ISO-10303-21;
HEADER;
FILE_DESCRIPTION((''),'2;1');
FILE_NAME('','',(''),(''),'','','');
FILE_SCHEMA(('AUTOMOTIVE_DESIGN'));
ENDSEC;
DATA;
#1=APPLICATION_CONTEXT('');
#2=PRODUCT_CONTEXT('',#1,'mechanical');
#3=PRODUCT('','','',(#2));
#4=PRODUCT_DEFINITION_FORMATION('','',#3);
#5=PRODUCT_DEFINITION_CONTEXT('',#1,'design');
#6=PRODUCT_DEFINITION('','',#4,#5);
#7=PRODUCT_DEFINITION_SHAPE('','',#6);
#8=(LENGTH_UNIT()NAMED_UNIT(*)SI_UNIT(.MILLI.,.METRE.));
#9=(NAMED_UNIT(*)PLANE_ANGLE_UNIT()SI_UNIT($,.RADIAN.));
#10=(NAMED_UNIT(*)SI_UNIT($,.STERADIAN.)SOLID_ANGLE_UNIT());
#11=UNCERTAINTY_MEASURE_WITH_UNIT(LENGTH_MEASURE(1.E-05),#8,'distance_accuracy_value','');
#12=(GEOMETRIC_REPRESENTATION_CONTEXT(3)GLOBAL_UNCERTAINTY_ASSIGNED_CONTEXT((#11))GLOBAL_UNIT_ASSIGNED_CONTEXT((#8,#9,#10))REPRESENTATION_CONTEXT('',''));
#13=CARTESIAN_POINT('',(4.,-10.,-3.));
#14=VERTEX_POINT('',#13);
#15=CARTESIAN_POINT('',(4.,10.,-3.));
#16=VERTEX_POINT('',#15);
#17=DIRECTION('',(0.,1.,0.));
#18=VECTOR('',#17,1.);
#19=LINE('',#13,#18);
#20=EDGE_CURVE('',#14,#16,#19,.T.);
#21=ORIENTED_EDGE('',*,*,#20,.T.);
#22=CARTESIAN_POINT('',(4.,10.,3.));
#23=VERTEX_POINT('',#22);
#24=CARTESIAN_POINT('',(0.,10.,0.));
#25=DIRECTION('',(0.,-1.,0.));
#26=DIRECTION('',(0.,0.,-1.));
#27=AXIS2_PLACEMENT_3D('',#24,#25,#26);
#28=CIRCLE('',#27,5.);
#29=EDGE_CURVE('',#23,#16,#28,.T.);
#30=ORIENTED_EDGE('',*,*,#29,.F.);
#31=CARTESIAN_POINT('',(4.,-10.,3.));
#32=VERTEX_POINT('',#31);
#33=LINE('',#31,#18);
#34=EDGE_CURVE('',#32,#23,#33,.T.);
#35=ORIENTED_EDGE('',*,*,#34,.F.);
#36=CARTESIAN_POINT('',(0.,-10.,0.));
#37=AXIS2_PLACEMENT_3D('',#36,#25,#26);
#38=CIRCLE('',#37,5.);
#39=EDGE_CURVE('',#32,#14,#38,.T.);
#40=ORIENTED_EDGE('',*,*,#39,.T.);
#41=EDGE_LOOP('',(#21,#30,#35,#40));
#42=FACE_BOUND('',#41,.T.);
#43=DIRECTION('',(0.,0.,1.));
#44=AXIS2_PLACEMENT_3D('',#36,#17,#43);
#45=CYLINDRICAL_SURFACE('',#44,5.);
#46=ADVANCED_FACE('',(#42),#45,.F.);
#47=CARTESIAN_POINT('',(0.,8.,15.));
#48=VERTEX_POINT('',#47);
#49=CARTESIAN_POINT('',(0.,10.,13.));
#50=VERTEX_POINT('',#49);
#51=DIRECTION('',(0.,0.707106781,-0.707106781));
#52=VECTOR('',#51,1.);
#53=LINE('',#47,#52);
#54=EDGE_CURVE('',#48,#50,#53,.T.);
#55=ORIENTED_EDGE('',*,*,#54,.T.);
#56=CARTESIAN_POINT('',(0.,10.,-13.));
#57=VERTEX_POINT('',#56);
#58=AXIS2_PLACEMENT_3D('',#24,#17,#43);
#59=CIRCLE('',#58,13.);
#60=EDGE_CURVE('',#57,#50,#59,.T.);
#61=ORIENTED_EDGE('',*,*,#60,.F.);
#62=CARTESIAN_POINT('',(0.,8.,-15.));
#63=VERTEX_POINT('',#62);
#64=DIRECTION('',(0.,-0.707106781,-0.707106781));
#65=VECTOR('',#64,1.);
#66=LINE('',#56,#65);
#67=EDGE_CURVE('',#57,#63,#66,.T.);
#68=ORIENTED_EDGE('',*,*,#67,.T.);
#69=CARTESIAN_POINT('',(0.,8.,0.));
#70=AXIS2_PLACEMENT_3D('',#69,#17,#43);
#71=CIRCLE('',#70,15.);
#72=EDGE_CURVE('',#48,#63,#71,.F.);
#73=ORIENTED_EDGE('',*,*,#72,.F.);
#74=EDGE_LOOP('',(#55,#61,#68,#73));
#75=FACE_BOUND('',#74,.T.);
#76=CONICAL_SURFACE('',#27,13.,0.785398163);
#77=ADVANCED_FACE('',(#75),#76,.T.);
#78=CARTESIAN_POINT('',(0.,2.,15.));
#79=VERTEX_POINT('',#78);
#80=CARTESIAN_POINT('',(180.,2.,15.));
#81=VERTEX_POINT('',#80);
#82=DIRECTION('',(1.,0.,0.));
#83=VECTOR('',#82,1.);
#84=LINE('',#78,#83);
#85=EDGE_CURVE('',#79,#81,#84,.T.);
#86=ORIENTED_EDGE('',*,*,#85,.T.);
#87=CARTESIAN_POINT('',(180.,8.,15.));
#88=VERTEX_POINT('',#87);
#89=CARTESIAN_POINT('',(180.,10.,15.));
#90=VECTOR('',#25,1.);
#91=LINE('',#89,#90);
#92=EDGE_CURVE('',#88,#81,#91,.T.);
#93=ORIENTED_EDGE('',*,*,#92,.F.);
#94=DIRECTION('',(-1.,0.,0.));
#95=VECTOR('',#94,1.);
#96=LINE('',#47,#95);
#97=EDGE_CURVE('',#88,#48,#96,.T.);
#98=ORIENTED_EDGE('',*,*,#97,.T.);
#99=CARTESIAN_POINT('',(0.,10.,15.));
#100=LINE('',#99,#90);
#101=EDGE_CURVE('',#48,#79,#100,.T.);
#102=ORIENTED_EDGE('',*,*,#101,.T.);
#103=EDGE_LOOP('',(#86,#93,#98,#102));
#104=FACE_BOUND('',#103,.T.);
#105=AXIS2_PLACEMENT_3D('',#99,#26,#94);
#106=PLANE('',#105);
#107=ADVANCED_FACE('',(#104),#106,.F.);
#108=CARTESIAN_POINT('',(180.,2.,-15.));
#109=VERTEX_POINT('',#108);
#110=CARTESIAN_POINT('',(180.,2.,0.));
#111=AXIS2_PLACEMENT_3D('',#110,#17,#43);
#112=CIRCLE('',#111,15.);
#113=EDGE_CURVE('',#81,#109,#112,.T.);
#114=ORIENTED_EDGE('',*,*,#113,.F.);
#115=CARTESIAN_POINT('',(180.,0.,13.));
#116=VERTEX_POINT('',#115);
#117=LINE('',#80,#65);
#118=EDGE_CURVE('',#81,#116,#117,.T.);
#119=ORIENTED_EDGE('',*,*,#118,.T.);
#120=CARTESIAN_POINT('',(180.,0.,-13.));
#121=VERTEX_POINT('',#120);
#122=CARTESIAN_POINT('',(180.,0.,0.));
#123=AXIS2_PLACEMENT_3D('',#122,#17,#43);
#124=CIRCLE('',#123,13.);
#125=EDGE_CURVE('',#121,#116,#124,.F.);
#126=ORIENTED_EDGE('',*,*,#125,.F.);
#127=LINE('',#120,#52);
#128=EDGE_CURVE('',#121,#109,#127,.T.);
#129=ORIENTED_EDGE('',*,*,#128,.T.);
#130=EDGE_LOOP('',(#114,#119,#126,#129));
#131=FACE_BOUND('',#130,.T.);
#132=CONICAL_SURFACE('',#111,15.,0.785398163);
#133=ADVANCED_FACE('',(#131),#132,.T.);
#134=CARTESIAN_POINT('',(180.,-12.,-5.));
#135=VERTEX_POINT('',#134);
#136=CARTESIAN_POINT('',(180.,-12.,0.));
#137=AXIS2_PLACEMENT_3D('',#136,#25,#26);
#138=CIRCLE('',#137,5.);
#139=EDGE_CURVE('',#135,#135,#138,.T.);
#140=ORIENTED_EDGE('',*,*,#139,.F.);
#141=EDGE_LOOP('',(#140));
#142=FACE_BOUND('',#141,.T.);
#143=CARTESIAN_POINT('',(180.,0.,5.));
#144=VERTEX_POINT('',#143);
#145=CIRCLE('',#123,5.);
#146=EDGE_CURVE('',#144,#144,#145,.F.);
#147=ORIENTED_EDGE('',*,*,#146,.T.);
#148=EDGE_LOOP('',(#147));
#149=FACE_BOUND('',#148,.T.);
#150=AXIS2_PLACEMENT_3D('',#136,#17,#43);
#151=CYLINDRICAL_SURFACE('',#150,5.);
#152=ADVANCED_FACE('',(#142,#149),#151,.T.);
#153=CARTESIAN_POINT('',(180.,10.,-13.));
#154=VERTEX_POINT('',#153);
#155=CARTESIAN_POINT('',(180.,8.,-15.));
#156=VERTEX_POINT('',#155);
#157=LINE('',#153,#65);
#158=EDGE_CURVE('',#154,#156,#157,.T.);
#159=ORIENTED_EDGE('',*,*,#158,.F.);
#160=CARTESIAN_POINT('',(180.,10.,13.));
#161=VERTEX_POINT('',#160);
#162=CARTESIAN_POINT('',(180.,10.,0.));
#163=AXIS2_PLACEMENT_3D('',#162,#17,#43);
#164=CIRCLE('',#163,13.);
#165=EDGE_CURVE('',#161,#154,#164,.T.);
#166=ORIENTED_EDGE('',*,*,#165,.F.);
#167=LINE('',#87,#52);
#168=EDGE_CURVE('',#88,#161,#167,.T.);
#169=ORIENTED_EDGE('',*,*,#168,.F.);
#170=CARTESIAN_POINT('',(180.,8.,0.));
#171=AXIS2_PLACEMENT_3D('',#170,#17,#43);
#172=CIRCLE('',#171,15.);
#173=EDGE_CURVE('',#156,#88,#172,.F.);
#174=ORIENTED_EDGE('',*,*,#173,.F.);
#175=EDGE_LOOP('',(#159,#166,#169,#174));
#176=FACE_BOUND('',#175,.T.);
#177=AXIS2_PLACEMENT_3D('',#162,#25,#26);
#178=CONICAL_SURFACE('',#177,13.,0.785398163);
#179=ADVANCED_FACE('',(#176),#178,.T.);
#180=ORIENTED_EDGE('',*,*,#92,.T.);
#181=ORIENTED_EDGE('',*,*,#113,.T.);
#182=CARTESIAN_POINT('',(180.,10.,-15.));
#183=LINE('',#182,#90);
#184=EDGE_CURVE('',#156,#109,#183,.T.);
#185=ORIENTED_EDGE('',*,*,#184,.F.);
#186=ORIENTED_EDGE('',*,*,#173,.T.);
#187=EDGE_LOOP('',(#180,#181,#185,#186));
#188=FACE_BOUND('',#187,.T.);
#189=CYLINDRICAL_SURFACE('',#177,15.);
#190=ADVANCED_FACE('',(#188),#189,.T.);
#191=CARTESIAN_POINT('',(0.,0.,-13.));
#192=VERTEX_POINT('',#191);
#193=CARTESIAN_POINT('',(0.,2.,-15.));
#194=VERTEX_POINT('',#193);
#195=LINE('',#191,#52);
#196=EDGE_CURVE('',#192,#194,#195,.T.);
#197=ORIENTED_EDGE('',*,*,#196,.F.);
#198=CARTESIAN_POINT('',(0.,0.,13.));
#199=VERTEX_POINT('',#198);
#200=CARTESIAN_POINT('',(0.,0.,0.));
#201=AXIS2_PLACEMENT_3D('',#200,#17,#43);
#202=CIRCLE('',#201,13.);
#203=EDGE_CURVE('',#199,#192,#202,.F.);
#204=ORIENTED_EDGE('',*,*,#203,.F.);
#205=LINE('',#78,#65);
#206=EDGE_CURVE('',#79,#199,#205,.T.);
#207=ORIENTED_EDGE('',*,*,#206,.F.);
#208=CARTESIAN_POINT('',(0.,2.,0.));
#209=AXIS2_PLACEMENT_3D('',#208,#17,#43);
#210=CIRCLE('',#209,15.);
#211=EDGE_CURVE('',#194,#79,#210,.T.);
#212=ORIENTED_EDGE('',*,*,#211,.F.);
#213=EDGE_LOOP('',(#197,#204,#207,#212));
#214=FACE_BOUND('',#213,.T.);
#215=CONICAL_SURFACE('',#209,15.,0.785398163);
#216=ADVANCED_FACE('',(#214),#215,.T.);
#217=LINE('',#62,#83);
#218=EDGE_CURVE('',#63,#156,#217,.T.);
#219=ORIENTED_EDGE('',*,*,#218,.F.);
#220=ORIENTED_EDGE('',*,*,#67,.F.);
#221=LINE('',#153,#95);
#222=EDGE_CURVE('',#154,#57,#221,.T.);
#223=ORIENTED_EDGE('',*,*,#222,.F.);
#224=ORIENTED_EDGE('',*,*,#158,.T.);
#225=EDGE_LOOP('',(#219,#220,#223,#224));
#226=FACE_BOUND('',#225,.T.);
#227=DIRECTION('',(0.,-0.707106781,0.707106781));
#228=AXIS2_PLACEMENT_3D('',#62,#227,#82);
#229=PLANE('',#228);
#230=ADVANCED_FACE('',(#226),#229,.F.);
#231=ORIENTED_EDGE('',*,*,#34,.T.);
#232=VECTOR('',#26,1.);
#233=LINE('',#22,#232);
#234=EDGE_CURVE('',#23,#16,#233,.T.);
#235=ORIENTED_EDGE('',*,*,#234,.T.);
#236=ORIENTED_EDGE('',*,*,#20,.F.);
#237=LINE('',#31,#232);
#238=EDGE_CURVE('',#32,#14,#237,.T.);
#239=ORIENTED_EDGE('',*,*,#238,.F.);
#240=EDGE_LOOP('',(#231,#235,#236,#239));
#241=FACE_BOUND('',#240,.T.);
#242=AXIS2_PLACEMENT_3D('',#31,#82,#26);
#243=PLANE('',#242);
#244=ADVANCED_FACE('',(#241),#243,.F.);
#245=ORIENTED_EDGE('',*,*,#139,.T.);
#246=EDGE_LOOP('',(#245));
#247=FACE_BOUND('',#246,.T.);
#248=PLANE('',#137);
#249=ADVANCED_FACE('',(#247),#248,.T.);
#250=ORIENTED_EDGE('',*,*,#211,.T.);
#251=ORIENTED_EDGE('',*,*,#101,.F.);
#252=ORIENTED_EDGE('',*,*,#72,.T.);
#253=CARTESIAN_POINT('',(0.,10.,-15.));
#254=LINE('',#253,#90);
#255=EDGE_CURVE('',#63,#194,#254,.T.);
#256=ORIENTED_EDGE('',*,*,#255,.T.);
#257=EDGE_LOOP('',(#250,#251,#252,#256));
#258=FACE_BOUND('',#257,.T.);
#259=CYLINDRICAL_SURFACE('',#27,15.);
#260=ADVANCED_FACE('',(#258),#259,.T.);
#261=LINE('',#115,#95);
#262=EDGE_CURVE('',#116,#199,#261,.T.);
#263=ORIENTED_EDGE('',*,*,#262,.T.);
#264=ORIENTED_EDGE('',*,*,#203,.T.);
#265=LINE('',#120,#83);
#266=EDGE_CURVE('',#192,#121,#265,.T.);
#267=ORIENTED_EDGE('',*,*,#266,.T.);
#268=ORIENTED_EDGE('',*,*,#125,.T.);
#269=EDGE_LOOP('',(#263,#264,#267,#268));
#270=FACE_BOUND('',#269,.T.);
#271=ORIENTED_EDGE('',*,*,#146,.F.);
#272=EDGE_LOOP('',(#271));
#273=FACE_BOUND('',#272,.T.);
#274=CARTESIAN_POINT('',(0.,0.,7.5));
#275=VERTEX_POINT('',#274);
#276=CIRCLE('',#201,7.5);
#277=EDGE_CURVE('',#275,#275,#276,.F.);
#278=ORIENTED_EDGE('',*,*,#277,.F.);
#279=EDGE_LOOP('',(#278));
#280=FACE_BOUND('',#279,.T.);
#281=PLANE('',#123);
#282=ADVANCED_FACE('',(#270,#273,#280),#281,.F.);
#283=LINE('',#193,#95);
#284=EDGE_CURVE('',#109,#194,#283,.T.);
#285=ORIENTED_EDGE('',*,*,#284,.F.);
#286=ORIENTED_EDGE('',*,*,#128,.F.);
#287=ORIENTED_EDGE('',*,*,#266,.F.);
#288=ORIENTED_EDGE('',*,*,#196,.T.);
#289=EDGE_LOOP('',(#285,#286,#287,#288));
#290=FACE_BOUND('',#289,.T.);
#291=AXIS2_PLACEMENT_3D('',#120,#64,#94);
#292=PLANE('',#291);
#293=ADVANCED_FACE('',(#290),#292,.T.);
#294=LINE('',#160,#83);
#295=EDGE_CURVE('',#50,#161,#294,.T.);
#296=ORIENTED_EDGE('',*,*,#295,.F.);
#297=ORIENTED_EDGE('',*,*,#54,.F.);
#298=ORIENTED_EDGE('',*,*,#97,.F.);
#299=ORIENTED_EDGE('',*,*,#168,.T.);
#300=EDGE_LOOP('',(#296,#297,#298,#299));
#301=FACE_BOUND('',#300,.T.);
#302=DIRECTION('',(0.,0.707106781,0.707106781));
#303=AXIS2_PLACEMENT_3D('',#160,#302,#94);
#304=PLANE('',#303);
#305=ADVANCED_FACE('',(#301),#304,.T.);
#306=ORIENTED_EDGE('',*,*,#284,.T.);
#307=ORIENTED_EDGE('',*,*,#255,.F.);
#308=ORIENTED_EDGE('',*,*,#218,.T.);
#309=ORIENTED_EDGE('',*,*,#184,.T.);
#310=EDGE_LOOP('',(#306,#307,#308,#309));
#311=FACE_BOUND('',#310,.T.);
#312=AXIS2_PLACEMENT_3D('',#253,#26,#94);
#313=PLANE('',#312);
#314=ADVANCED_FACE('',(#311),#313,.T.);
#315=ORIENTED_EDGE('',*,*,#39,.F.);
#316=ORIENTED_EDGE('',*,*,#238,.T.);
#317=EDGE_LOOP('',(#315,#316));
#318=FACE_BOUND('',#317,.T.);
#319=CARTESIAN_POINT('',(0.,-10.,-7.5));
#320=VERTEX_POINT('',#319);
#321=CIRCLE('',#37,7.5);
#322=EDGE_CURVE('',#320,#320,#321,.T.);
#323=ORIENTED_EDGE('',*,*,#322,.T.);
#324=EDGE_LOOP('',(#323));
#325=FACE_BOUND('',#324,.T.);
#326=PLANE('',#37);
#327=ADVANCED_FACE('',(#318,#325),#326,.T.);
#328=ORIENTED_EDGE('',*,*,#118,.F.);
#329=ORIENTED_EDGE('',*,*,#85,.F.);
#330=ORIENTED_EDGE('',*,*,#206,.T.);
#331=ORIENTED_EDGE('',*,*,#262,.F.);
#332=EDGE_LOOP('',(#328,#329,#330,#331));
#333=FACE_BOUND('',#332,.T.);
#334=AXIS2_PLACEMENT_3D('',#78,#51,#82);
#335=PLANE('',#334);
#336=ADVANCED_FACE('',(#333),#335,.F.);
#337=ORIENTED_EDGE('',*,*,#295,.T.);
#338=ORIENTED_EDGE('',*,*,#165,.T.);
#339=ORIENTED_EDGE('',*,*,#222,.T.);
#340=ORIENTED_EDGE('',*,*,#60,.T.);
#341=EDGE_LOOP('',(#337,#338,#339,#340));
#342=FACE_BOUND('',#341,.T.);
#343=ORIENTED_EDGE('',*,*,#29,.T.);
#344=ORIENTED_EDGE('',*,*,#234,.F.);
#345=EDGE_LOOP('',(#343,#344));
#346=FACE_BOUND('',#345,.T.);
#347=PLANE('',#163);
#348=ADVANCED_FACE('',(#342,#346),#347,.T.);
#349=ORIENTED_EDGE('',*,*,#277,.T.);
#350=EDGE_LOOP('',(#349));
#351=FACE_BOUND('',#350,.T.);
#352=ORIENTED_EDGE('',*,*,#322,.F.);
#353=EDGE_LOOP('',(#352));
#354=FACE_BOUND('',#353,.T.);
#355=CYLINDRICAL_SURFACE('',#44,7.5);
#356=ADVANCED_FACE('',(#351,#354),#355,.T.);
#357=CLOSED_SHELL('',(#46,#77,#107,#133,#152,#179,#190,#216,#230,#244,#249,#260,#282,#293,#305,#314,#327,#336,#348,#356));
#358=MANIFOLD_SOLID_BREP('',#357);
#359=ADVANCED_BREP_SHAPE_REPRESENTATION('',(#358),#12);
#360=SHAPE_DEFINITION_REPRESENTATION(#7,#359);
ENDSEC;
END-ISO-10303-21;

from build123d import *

# Parameters (mm, degrees)
EXTRUDE_2_DEPTH          = 10
CHAMFER_1_SIZE           = 2
SKETCH_9_R               = 7.5
EXTRUDE_7_DEPTH          = 10
CUT_EXTRUDE_3_DEPTH      = 10
CUT_EXTRUDE_3_DEPTH_BACK = 196.831560276
SKETCH_11_R              = 5
EXTRUDE_8_DEPTH          = 12


with BuildPart() as part:
    # 草图1 → 凸台-拉伸2 (new body)
    with BuildSketch(Plane(origin=(0, 0, 0), x_dir=(1, 0, 0), z_dir=(0, 1, 0))):
        with BuildLine():
            Line((0, 15), (180, 15))
            ThreePointArc((180, 15), (195, 0), (180, -15))
            Line((180, -15), (0, -15))
            ThreePointArc((0, -15), (-15, 0), (0, 15))
        make_face()
    extrude(amount=EXTRUDE_2_DEPTH)

    # 倒角1
    chamfer_1_edges = [part.edges().sort_by_distance(p)[0] for p in [
        (-15, 10, 0),
        (90, 10, 15),
        (90, 10, -15),
        (195, 10, 0),
        (195, 0, 0),
        (90, 0, 15),
        (-15, 0, 0),
        (90, 0, -15),
    ]]
    chamfer(chamfer_1_edges, length=CHAMFER_1_SIZE)

    # 草图9 → 凸台-拉伸7 (add)
    with BuildSketch(Plane.XZ):
        Circle(SKETCH_9_R)
    extrude(amount=EXTRUDE_7_DEPTH)

    # 草图4 → 切除-拉伸3 (cut, two sides: drawn at the far end of the back side and taken through both)
    with BuildSketch(Plane.XZ.offset(-CUT_EXTRUDE_3_DEPTH_BACK)):
        with BuildLine():
            Line((4, 3), (4, -3))
            ThreePointArc((4, -3), (-5, 0), (4, 3))
        make_face()
    extrude(amount=CUT_EXTRUDE_3_DEPTH + CUT_EXTRUDE_3_DEPTH_BACK, mode=Mode.SUBTRACT)

    # 草图11 → 凸台-拉伸8 (add)
    with BuildSketch(Plane.XZ):
        with Locations((180, 0)):
            Circle(SKETCH_11_R)
    extrude(amount=EXTRUDE_8_DEPTH)


solid = part.part
